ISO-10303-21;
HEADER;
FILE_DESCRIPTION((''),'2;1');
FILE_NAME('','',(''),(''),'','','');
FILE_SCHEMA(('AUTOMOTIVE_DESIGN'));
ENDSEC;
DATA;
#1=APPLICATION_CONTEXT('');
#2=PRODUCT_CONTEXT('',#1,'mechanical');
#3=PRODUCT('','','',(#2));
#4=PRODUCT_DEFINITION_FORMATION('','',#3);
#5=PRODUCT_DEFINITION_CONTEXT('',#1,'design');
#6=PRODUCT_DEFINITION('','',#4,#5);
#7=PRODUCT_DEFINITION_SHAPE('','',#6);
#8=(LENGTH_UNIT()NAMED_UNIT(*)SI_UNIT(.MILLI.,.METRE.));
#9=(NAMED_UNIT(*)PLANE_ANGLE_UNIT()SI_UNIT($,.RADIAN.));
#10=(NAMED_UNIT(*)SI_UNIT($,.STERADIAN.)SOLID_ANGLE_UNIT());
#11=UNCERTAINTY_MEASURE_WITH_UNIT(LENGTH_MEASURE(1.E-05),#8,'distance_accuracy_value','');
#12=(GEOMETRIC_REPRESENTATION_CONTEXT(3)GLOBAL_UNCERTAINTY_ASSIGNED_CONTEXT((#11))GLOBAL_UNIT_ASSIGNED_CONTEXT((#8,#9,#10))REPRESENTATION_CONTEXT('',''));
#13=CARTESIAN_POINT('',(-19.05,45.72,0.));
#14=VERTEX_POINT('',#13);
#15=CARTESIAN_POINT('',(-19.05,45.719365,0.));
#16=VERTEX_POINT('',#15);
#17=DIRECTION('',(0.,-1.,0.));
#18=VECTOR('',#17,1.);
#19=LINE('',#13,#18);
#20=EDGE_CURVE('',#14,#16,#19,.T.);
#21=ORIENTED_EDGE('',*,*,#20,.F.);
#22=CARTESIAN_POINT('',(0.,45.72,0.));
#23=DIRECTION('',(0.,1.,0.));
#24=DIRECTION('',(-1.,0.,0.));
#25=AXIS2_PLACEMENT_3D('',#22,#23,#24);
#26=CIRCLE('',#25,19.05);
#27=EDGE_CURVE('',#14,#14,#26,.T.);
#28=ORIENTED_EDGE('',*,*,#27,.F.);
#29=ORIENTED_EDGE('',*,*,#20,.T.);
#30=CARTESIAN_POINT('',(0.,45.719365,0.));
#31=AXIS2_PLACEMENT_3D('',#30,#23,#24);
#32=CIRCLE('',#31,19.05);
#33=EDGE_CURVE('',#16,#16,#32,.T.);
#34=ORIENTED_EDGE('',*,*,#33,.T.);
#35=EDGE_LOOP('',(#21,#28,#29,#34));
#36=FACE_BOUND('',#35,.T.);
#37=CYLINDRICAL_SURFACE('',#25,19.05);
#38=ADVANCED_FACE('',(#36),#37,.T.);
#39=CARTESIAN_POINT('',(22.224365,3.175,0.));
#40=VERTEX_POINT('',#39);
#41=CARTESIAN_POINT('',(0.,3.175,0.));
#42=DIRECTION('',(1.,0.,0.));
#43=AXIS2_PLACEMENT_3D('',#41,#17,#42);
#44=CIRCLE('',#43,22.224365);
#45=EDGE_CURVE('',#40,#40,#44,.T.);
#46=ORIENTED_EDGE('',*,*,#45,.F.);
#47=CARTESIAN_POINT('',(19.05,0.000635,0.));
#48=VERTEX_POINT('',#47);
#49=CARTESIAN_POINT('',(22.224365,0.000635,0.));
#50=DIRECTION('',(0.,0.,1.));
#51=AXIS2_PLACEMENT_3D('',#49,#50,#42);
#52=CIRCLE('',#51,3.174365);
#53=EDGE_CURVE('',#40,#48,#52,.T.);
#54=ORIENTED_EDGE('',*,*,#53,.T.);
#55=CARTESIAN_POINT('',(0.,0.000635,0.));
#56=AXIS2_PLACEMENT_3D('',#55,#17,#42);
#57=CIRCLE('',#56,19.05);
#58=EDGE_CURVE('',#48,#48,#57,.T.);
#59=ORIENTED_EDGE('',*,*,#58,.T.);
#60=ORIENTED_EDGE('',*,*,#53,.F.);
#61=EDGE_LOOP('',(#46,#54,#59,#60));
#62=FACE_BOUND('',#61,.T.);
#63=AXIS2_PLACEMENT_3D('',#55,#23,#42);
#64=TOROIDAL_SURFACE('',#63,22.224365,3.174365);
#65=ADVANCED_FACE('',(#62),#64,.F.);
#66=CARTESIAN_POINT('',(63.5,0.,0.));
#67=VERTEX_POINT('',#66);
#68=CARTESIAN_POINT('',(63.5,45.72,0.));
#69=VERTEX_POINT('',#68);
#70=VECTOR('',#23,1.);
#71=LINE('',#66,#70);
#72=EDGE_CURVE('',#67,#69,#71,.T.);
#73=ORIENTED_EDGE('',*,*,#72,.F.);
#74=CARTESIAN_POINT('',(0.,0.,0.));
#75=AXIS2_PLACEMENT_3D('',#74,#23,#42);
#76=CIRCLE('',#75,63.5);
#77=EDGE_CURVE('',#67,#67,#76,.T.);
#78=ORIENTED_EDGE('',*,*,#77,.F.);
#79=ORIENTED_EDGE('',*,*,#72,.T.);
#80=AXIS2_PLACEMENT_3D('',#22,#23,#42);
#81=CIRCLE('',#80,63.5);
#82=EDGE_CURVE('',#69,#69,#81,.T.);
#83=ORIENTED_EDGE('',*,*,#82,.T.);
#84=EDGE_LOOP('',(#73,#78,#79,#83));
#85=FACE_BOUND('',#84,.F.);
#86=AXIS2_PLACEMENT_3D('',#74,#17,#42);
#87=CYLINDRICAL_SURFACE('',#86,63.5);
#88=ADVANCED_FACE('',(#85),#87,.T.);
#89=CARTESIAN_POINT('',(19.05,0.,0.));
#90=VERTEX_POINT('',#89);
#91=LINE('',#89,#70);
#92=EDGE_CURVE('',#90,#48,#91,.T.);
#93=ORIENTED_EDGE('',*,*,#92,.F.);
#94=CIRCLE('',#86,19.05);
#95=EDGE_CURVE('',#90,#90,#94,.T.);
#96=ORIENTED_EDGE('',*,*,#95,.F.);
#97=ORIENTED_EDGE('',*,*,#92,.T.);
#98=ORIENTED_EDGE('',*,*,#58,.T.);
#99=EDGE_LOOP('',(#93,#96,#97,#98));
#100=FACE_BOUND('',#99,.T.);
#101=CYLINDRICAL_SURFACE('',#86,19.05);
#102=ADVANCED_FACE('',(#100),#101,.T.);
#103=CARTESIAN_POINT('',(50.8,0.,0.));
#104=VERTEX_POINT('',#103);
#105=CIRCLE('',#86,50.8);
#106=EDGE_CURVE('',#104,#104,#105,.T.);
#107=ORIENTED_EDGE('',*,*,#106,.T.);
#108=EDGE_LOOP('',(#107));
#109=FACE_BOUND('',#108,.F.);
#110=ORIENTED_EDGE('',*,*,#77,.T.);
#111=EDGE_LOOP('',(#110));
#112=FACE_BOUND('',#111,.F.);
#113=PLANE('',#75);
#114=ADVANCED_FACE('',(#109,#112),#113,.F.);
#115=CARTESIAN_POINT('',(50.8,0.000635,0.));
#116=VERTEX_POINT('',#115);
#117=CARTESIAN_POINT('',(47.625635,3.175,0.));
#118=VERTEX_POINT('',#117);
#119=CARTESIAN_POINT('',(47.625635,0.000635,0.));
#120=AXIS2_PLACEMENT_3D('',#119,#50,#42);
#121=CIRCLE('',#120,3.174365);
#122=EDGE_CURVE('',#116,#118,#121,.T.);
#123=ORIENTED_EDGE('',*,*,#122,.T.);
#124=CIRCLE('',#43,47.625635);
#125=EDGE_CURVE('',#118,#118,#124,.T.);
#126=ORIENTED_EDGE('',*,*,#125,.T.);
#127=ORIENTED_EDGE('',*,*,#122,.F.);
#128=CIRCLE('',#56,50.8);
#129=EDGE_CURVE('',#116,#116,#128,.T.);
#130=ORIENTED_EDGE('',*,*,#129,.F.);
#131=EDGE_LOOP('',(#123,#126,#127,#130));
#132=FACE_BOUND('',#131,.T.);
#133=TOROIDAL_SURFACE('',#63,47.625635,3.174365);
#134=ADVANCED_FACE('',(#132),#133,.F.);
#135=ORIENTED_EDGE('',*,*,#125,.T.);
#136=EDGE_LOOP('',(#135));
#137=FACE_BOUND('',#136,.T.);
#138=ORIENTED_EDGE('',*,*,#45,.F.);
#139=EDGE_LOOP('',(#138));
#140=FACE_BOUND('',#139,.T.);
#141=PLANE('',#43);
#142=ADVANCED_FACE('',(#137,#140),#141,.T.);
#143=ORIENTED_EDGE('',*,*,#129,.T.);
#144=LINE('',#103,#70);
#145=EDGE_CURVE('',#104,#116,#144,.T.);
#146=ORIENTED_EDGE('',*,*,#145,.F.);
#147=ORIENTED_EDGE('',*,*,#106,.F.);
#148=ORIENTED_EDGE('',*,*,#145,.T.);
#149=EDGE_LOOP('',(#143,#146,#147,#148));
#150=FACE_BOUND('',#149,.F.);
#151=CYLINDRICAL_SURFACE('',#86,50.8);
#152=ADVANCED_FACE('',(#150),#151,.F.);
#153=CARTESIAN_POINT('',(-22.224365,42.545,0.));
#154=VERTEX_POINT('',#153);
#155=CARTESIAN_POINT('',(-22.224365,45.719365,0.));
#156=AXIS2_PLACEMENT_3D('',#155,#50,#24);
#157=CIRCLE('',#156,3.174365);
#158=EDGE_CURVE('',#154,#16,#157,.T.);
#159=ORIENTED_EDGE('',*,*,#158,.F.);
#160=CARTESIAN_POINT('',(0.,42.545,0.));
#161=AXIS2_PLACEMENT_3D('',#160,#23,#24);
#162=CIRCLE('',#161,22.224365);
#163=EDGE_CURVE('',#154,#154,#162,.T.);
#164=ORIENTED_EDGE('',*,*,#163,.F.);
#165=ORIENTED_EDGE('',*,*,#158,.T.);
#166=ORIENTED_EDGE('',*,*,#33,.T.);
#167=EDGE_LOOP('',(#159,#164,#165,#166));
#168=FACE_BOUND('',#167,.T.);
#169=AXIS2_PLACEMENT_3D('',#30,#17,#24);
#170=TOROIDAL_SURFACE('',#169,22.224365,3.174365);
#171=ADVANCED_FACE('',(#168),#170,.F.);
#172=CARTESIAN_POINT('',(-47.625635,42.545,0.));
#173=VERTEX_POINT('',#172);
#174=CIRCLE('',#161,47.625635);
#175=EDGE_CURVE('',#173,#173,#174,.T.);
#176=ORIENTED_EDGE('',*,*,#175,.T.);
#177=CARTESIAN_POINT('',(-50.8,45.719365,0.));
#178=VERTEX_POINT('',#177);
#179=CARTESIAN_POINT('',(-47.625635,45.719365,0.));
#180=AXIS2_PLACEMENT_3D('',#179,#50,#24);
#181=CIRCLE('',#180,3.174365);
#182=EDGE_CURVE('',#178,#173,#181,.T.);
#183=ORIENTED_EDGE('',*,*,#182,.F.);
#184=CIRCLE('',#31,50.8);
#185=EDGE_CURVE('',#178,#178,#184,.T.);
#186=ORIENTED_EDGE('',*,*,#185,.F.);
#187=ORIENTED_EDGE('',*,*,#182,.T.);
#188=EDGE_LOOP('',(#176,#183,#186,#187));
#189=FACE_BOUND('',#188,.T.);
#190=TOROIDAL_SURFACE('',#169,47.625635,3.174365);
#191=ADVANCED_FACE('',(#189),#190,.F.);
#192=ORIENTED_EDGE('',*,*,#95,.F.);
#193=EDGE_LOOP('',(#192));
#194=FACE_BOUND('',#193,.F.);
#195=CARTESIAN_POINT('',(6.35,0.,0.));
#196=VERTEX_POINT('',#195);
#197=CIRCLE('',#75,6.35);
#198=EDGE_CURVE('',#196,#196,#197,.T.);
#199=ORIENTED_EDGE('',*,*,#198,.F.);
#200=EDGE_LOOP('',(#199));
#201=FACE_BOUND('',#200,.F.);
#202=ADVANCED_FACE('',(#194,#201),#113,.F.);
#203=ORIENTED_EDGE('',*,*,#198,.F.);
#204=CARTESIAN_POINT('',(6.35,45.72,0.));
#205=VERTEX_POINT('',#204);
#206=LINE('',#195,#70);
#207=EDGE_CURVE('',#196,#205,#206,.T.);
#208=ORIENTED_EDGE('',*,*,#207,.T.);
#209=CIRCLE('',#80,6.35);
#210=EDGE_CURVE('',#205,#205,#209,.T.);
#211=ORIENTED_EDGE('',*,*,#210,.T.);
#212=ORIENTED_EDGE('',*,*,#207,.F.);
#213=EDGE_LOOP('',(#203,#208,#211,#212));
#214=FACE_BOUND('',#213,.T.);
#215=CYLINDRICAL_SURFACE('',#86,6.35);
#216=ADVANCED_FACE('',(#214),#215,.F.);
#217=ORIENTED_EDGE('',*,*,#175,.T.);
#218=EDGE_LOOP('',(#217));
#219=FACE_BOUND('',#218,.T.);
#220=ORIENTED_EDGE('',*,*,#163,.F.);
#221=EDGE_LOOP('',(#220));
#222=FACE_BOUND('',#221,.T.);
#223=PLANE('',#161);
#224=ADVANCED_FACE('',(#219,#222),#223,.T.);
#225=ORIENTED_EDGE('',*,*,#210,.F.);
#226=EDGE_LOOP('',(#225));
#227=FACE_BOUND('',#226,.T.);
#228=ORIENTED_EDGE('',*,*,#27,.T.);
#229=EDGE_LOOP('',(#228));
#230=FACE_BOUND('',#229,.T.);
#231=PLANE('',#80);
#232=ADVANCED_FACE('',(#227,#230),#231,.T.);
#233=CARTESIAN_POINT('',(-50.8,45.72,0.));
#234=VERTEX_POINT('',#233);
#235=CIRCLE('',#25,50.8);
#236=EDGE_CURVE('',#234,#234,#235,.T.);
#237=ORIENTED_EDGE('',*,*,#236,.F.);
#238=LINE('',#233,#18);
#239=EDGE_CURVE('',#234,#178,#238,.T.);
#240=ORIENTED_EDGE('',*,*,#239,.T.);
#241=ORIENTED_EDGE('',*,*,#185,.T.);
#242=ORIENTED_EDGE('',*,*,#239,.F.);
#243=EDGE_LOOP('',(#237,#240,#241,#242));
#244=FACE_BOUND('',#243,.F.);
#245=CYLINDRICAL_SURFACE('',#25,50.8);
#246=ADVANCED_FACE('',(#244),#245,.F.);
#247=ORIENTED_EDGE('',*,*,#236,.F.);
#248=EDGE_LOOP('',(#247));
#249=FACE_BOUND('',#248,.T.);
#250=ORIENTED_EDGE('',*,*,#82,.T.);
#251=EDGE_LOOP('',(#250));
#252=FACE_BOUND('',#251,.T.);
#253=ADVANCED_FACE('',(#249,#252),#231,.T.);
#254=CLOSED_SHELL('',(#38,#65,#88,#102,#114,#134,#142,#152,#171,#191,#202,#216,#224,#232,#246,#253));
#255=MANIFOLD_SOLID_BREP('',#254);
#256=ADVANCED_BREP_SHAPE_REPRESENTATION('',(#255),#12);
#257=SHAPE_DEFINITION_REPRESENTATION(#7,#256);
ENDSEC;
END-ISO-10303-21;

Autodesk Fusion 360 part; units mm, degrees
sketch "Sketch1" plane through (0, 0, 0) normal (0, 1, 0) x (1, 0, 0)
  circle A0 centre (0, 0) radius 63.5
  circle A1 centre (0, 0) radius 6.35
extrude "Extrude1" add sketch "Sketch1" along normal blind 45.72 makes body 1
sketch "Sketch2" plane through (0, 0, 0) normal (0, -1, 0) x (1, 0, 0)
  circle A0 centre (0, 0) radius 6.35
  circle A1 centre (0, 0) radius 63.5
  circle A2 centre (0, 0) radius 50.8
  circle A3 centre (0, 0) radius 19.05
  dimension "d5" = 101.6
  dimension "d6" = 38.1
extrude "Extrude2" cut sketch "Sketch2" against normal blind 3.175 contours A2 bodies 1
sketch "Sketch3" plane through (0, 45.72, 0) normal (0, 1, 0) x (-1, 0, 0)
  circle A0 centre (0, 0) radius 6.35
  circle A1 centre (0, 0) radius 63.5
  circle A2 centre (0, 0) radius 50.8
  circle A3 centre (0, 0) radius 19.05
  dimension "d9" = 101.6
  dimension "d10" = 38.1
extrude "Extrude3" cut sketch "Sketch3" against normal blind 3.175 contours A2 bodies 1
fillet "Fillet1" radius 3.175 2 edges at (17.7608, 42.545, -6.8888) (47.3622, 42.545, 18.3701) on bodies 1
fillet "Fillet2" radius 3.175 2 edges at (-17.7608, 3.175, -6.8888) (-47.3622, 3.175, 18.3701) on bodies 1
copy_body "Body->Comp1" bodies 1 removing the originals makes body 2 in component "Rolling Wheel"
component "Rolling Wheel" placed x (1, 0, 0) y (0, 1, 0) z (0, 0, 1) at (0, 0, 0)
equation "d7 = ( -1 / 4 / 2 ) * 1 in"
